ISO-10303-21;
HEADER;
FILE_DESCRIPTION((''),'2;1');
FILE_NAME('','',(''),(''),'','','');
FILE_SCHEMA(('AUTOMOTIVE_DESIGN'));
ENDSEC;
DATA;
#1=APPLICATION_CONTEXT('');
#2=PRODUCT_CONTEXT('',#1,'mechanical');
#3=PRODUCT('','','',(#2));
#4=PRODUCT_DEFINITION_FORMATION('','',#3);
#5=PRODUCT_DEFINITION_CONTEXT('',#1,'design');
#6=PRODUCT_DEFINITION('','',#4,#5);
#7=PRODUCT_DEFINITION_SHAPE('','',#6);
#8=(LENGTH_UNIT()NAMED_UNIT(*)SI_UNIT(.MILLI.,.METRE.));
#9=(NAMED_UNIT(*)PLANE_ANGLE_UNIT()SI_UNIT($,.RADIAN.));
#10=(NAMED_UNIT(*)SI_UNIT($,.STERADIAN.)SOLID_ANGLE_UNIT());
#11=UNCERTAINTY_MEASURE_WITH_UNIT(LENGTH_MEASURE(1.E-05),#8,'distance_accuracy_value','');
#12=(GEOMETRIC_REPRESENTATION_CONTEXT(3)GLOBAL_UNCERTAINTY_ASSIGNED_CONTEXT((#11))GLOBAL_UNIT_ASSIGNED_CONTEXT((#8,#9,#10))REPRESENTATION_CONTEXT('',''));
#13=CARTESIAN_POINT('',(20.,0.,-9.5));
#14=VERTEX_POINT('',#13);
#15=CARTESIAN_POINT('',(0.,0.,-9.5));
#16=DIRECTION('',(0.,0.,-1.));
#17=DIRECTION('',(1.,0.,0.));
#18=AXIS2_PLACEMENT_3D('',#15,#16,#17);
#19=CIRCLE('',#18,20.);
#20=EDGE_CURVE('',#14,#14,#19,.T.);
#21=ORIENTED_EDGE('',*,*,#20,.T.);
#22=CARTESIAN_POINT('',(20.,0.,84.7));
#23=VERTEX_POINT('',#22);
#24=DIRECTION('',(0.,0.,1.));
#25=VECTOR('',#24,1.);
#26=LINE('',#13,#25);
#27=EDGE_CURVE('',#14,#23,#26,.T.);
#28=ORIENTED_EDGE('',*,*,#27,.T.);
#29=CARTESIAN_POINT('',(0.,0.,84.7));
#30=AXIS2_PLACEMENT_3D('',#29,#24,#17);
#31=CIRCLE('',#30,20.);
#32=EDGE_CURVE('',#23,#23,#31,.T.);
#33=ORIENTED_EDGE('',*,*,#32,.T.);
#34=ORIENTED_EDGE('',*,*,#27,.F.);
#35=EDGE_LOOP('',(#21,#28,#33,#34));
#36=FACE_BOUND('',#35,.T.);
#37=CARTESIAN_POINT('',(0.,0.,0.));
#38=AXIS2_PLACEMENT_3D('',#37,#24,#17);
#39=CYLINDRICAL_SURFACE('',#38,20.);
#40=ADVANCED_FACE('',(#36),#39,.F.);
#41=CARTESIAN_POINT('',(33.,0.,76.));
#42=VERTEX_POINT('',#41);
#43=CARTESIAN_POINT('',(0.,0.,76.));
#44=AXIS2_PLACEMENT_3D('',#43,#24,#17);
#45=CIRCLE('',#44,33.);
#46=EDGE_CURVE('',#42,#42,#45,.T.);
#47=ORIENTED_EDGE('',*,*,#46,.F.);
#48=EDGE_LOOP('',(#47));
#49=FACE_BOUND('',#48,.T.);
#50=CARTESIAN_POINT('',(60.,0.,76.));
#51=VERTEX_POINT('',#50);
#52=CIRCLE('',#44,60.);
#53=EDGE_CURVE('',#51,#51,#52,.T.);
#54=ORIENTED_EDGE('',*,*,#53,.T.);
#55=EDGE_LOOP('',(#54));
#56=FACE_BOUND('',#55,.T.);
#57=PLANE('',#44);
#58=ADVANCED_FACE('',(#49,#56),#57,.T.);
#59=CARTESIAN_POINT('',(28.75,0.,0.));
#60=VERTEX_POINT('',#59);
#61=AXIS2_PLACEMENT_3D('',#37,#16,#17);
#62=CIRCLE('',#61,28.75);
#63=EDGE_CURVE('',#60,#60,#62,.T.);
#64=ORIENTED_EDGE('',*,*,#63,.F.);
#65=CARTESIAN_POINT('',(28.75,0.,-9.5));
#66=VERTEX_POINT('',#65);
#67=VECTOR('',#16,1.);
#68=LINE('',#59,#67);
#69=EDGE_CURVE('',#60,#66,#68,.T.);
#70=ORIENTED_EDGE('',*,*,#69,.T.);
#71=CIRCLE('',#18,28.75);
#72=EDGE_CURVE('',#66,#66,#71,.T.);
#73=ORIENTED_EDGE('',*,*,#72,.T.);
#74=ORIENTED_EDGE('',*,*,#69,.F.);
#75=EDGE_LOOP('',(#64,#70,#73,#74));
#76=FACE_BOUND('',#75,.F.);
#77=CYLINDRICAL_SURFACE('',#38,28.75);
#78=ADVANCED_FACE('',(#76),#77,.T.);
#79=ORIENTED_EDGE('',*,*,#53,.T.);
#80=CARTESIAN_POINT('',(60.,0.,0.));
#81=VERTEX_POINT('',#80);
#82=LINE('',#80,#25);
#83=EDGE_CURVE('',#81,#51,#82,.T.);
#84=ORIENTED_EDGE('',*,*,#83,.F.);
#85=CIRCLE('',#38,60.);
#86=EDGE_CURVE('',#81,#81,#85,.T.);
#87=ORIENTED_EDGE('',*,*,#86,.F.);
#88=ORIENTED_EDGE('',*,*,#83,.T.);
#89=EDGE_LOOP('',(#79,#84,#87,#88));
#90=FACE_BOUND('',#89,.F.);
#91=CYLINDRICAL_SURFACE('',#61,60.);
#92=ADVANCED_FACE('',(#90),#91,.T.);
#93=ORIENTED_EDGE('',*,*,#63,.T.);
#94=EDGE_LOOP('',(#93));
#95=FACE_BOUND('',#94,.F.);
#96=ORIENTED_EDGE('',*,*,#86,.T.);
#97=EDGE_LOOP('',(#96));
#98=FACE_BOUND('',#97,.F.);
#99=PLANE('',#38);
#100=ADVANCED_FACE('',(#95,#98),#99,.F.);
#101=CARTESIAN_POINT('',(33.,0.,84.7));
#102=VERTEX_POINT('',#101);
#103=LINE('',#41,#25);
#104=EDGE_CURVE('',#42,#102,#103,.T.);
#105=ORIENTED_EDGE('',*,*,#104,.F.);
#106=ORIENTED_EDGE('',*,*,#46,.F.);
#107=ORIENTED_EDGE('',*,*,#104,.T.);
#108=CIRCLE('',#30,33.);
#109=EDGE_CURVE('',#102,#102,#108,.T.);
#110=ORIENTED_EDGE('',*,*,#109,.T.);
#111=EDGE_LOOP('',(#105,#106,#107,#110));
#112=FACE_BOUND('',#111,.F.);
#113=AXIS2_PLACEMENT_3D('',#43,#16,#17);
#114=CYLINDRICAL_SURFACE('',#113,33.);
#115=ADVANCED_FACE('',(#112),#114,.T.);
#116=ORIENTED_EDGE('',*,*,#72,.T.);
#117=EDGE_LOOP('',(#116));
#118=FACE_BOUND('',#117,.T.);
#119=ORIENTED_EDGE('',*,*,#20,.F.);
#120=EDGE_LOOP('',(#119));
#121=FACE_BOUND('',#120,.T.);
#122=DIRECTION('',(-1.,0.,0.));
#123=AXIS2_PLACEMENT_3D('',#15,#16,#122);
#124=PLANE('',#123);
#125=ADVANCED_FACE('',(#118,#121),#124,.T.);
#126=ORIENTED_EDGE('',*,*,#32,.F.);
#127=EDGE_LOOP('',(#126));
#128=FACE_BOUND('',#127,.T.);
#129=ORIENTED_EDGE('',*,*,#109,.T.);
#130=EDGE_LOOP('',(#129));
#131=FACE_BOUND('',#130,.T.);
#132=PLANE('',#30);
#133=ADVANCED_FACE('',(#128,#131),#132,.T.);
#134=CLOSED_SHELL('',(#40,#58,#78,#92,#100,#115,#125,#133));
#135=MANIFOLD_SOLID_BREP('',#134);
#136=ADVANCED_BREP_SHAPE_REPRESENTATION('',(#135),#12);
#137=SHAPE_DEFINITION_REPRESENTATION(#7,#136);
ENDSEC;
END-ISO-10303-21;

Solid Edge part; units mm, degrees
sketch "Sketch1" plane through (0, 0, 0) normal (0, 0, 1) x (1, 0, 0)
  circle A0 centre (0, 0) radius 60
  circle A1 centre (0, 0) radius 20
extrude "Protrusion1" add sketch "Sketch1" along normal blind 76
sketch "Sketch2" plane through (0, 0, 76) normal (0, 0, 1) x (1, 0, 0)
  circle A0 centre (0, 0) radius 20
  circle A1 centre (0, 0) radius 33
extrude "ExtrudedProtrusion_2" add sketch "Sketch2" along normal blind 8.7
sketch "Sketch3" plane through (0, 0, 0) normal (0, 0, -1) x (1, 0, 0)
  circle A0 centre (0, 0) radius 20
  circle A1 centre (0, 0) radius 28.75
extrude "ExtrudedProtrusion_3" add sketch "Sketch3" along normal blind 9.5
properties material "Aluminum, 6061-T6"
